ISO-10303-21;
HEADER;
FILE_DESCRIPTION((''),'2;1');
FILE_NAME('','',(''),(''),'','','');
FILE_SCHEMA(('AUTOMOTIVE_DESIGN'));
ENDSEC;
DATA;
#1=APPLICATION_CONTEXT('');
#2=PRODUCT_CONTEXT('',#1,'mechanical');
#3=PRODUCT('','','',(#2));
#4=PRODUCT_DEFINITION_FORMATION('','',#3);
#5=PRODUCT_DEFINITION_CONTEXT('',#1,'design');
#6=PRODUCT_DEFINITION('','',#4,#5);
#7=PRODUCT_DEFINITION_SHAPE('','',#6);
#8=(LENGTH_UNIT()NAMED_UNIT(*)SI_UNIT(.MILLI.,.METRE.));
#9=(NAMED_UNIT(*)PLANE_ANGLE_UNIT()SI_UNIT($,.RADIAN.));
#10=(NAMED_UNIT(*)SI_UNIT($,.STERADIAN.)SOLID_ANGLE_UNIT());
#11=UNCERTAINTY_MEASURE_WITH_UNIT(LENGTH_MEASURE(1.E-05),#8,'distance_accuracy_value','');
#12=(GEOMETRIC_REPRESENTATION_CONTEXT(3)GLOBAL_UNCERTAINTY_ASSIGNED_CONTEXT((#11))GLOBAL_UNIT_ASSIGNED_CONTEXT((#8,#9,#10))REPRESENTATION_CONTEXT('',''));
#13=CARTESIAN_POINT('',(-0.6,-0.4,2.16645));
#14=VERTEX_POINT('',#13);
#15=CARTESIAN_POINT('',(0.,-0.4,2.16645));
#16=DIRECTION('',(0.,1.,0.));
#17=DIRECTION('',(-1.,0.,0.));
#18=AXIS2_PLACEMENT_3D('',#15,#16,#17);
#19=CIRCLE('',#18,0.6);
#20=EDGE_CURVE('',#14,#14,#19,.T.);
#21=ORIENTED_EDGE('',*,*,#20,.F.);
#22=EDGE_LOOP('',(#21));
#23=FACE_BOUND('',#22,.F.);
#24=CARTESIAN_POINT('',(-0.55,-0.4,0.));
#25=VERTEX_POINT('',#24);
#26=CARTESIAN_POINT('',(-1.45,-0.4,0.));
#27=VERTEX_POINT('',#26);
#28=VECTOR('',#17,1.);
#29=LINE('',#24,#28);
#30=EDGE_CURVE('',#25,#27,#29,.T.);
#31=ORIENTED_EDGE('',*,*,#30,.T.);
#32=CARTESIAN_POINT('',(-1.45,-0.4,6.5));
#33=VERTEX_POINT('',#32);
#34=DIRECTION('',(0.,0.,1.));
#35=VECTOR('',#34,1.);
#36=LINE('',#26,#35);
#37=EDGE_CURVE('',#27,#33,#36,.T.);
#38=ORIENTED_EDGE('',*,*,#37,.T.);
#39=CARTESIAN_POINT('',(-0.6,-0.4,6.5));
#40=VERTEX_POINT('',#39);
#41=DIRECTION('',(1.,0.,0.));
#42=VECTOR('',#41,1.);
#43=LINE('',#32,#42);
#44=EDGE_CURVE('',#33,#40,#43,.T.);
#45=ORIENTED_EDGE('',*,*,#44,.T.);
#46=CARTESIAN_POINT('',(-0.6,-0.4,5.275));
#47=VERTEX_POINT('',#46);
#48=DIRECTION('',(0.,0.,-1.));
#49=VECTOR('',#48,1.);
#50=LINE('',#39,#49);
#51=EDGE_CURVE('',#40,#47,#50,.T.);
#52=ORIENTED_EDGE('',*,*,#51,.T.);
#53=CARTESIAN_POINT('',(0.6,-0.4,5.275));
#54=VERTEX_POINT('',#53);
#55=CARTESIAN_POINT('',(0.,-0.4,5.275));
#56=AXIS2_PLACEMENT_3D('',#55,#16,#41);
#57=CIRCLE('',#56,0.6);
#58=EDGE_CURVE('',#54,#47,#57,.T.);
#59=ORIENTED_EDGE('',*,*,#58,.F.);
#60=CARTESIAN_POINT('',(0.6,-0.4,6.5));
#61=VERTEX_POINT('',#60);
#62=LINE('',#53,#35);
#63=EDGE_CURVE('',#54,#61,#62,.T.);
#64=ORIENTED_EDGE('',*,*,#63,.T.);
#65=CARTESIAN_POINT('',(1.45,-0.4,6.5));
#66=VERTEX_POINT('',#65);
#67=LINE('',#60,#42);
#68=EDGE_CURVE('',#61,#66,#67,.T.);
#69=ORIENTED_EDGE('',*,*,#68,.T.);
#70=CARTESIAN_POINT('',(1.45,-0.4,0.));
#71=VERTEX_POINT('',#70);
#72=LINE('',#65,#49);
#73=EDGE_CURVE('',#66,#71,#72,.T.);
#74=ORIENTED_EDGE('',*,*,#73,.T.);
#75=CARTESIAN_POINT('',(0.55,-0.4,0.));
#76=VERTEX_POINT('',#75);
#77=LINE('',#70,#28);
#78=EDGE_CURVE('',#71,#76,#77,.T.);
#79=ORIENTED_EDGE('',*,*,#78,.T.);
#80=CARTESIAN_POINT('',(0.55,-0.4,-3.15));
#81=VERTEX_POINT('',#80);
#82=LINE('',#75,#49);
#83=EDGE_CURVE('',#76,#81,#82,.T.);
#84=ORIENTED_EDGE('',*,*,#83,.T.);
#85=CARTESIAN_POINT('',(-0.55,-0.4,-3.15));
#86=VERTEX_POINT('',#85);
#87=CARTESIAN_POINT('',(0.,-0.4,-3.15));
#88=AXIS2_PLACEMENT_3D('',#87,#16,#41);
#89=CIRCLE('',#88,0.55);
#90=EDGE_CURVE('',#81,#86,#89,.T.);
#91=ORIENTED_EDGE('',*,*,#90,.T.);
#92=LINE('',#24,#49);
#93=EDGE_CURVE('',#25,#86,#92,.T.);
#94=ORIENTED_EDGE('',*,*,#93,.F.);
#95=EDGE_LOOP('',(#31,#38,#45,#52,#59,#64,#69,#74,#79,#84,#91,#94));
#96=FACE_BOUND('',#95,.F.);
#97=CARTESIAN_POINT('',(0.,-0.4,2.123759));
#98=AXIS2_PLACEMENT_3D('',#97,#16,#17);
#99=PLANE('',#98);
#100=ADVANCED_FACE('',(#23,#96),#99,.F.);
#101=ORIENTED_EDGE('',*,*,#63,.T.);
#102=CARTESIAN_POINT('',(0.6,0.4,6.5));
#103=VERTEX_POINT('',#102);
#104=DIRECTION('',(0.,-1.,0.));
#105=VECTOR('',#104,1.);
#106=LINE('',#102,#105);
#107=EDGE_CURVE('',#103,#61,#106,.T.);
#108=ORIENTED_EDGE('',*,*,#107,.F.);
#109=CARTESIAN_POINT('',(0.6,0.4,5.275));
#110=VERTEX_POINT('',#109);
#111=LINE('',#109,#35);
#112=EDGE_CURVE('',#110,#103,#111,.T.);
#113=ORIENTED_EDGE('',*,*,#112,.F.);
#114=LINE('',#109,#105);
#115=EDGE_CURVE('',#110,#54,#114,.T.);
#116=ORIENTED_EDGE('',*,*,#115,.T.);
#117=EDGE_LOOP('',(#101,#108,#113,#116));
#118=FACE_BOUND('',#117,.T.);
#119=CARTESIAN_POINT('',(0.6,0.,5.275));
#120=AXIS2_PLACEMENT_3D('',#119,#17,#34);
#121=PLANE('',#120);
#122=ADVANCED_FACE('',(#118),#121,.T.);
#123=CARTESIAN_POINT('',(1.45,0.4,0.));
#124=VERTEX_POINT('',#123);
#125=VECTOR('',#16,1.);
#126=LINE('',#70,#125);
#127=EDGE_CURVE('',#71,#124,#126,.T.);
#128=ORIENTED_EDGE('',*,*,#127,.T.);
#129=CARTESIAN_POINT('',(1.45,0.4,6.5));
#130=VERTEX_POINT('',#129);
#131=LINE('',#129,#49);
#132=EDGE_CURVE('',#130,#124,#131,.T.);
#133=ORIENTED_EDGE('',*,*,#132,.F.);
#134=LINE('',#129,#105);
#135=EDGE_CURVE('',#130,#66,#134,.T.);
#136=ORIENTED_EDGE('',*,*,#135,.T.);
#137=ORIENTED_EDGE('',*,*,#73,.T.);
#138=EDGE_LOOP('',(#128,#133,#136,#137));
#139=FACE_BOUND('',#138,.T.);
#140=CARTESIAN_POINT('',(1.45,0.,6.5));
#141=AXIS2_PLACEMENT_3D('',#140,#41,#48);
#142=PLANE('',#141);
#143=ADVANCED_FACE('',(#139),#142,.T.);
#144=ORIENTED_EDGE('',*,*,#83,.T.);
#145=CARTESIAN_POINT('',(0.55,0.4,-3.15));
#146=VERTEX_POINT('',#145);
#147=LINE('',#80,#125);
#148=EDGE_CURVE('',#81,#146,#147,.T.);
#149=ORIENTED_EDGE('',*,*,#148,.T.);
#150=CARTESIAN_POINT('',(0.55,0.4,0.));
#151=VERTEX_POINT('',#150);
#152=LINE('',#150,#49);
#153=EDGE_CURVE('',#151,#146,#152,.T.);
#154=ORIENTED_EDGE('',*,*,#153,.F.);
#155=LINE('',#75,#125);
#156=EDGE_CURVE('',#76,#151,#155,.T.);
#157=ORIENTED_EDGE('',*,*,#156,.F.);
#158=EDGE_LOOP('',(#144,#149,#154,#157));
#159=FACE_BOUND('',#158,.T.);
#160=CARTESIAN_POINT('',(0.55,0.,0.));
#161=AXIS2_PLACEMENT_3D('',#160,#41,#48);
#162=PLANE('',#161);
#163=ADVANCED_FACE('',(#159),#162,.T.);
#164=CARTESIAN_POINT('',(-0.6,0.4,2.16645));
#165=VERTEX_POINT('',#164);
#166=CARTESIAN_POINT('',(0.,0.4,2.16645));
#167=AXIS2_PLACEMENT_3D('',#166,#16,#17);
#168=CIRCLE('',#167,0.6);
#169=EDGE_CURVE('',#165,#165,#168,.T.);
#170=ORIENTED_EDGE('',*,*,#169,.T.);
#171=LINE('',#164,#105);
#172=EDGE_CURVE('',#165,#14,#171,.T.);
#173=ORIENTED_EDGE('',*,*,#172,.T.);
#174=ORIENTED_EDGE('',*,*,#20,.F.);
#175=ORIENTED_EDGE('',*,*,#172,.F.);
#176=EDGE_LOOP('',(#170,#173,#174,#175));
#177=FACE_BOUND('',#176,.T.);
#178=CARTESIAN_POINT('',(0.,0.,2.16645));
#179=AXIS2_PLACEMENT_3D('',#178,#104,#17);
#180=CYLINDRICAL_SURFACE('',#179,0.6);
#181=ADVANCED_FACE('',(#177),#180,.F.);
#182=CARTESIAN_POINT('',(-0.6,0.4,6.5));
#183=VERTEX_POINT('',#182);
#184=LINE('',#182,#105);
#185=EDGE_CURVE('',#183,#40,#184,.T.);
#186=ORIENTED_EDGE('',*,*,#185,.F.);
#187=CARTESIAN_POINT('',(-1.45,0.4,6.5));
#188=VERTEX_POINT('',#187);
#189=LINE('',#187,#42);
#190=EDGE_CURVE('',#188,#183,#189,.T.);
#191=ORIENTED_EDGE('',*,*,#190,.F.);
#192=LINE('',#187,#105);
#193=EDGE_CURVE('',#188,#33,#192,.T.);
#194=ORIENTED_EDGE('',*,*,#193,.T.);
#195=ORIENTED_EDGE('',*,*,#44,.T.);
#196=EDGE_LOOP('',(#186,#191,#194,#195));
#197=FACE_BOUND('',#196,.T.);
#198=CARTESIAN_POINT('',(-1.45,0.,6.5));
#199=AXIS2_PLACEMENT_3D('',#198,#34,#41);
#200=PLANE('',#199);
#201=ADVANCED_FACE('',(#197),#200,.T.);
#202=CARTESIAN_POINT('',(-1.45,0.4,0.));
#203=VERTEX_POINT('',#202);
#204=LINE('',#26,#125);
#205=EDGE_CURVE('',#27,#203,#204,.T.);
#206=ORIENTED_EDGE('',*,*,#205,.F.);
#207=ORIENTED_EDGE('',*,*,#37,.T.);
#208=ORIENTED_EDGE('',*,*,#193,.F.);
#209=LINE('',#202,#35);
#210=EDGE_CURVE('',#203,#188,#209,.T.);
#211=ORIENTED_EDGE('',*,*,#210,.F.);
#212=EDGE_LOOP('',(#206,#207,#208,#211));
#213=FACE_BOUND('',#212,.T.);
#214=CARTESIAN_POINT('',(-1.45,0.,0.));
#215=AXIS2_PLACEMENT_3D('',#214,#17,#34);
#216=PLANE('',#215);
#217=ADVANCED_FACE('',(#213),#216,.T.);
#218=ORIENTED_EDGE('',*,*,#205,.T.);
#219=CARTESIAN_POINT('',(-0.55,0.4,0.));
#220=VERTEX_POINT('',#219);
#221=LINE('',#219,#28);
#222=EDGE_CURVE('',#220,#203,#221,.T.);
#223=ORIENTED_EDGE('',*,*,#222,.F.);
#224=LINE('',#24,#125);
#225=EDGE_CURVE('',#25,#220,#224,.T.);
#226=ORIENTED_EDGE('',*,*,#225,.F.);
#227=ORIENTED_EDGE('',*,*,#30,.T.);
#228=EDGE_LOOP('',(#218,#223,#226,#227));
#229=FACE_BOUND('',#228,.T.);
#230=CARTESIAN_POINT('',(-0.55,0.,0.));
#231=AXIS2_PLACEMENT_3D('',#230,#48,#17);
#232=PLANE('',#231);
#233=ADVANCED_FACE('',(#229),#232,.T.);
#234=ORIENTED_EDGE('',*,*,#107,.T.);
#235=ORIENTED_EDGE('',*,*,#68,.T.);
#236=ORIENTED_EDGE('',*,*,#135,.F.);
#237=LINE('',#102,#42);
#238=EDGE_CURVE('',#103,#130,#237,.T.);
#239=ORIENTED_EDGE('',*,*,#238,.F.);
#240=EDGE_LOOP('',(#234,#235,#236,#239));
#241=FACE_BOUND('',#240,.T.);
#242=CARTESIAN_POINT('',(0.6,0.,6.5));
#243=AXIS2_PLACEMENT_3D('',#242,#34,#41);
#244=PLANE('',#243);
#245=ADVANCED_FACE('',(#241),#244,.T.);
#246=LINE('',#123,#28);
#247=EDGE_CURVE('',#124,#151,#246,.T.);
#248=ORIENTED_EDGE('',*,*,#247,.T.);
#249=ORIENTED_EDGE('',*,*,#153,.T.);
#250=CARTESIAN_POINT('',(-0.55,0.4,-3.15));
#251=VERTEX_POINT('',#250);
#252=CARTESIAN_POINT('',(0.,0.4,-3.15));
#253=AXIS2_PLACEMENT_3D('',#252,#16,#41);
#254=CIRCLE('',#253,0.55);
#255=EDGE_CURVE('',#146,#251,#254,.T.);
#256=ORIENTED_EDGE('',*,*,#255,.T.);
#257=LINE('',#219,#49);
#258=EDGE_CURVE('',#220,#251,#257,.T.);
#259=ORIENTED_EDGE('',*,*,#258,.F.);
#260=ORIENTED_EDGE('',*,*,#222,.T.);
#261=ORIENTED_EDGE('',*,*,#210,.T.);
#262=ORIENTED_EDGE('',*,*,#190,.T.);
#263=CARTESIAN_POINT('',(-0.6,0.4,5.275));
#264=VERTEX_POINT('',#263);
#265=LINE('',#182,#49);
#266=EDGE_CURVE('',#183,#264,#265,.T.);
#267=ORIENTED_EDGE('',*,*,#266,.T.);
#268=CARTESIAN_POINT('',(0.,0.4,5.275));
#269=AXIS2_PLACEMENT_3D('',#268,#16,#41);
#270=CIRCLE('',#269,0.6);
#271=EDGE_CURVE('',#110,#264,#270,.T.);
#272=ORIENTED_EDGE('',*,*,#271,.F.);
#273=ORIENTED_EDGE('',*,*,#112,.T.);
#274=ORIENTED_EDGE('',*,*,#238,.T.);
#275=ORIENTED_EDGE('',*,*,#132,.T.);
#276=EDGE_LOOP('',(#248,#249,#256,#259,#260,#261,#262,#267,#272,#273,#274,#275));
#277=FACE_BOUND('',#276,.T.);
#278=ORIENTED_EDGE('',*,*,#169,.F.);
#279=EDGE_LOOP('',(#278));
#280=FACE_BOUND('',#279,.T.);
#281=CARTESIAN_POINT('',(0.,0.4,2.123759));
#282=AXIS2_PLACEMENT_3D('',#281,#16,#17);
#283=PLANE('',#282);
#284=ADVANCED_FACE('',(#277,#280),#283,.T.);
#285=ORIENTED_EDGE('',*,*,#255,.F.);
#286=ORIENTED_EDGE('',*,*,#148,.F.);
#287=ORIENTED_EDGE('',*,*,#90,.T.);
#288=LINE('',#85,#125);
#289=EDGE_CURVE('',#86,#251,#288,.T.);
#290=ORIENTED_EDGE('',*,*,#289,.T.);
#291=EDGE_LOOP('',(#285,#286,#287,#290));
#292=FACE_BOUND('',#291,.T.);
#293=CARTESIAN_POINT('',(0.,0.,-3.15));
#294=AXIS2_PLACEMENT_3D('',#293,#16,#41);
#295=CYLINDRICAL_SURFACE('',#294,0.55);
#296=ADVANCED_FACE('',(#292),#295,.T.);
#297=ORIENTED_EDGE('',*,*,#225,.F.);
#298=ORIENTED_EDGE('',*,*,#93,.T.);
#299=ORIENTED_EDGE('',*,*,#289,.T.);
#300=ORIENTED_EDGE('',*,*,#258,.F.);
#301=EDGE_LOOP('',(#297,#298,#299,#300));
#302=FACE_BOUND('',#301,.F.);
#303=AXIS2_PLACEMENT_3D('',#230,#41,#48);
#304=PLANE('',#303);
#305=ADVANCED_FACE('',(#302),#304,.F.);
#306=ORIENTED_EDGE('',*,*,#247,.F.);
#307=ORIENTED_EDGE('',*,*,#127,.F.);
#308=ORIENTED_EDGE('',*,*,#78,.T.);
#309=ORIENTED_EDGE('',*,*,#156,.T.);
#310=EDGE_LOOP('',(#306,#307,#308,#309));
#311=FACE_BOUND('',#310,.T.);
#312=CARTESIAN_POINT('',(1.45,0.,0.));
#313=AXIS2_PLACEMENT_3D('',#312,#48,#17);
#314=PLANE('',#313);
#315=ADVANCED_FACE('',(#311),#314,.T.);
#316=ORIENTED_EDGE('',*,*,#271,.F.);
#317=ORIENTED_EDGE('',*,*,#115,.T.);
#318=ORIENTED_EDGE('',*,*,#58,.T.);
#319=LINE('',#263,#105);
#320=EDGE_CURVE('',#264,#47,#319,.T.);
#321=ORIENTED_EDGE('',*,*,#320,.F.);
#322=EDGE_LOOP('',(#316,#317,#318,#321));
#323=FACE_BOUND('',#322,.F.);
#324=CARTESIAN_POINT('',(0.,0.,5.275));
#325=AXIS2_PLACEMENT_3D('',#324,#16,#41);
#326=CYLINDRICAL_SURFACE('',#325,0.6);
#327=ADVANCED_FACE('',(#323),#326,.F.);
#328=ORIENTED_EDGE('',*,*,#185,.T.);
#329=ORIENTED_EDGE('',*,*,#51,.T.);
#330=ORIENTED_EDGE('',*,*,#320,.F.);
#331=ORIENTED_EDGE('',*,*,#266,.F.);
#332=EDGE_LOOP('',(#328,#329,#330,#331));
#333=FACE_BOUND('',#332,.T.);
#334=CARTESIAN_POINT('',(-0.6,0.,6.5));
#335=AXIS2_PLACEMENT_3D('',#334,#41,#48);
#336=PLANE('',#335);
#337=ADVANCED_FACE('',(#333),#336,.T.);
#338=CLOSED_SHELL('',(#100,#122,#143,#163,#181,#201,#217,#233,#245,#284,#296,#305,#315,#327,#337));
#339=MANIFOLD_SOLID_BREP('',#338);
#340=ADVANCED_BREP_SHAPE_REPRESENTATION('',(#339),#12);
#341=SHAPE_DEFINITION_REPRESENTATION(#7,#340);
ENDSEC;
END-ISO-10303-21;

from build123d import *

# Parameters (mm, degrees)
SKETCH_R  = 0.6
PAD_DEPTH = 0.4


with BuildPart() as part:
    # Sketch → Pad (new body, symmetric)
    with BuildSketch(Plane(origin=(0, 0, 0), x_dir=(-1, 0, 0), z_dir=(0, 1, 0))):
        with BuildLine():
            Line((-1.45, 6.5), (-1.45, 0))
            Line((-1.45, 0), (-0.55, 0))
            Line((-0.55, 0), (-0.55, -3.15))
            ThreePointArc((-0.55, -3.15), (0, -3.7), (0.55, -3.15))
            Line((0.55, 0), (0.55, -3.15))
            Line((0.55, 0), (1.45, 0))
            Line((1.45, 0), (1.45, 6.5))
            Line((1.45, 6.5), (0.6, 6.5))
            Line((0.6, 6.5), (0.6, 5.275))
            ThreePointArc((-0.6, 5.275), (0, 4.675), (0.6, 5.275))
            Line((-0.6, 5.275), (-0.6, 6.5))
            Line((-0.6, 6.5), (-1.45, 6.5))
        make_face()
        with Locations((0, 2.16645)):
            Circle(SKETCH_R, mode=Mode.SUBTRACT)
    extrude(amount=PAD_DEPTH, both=True)


solid = part.part
